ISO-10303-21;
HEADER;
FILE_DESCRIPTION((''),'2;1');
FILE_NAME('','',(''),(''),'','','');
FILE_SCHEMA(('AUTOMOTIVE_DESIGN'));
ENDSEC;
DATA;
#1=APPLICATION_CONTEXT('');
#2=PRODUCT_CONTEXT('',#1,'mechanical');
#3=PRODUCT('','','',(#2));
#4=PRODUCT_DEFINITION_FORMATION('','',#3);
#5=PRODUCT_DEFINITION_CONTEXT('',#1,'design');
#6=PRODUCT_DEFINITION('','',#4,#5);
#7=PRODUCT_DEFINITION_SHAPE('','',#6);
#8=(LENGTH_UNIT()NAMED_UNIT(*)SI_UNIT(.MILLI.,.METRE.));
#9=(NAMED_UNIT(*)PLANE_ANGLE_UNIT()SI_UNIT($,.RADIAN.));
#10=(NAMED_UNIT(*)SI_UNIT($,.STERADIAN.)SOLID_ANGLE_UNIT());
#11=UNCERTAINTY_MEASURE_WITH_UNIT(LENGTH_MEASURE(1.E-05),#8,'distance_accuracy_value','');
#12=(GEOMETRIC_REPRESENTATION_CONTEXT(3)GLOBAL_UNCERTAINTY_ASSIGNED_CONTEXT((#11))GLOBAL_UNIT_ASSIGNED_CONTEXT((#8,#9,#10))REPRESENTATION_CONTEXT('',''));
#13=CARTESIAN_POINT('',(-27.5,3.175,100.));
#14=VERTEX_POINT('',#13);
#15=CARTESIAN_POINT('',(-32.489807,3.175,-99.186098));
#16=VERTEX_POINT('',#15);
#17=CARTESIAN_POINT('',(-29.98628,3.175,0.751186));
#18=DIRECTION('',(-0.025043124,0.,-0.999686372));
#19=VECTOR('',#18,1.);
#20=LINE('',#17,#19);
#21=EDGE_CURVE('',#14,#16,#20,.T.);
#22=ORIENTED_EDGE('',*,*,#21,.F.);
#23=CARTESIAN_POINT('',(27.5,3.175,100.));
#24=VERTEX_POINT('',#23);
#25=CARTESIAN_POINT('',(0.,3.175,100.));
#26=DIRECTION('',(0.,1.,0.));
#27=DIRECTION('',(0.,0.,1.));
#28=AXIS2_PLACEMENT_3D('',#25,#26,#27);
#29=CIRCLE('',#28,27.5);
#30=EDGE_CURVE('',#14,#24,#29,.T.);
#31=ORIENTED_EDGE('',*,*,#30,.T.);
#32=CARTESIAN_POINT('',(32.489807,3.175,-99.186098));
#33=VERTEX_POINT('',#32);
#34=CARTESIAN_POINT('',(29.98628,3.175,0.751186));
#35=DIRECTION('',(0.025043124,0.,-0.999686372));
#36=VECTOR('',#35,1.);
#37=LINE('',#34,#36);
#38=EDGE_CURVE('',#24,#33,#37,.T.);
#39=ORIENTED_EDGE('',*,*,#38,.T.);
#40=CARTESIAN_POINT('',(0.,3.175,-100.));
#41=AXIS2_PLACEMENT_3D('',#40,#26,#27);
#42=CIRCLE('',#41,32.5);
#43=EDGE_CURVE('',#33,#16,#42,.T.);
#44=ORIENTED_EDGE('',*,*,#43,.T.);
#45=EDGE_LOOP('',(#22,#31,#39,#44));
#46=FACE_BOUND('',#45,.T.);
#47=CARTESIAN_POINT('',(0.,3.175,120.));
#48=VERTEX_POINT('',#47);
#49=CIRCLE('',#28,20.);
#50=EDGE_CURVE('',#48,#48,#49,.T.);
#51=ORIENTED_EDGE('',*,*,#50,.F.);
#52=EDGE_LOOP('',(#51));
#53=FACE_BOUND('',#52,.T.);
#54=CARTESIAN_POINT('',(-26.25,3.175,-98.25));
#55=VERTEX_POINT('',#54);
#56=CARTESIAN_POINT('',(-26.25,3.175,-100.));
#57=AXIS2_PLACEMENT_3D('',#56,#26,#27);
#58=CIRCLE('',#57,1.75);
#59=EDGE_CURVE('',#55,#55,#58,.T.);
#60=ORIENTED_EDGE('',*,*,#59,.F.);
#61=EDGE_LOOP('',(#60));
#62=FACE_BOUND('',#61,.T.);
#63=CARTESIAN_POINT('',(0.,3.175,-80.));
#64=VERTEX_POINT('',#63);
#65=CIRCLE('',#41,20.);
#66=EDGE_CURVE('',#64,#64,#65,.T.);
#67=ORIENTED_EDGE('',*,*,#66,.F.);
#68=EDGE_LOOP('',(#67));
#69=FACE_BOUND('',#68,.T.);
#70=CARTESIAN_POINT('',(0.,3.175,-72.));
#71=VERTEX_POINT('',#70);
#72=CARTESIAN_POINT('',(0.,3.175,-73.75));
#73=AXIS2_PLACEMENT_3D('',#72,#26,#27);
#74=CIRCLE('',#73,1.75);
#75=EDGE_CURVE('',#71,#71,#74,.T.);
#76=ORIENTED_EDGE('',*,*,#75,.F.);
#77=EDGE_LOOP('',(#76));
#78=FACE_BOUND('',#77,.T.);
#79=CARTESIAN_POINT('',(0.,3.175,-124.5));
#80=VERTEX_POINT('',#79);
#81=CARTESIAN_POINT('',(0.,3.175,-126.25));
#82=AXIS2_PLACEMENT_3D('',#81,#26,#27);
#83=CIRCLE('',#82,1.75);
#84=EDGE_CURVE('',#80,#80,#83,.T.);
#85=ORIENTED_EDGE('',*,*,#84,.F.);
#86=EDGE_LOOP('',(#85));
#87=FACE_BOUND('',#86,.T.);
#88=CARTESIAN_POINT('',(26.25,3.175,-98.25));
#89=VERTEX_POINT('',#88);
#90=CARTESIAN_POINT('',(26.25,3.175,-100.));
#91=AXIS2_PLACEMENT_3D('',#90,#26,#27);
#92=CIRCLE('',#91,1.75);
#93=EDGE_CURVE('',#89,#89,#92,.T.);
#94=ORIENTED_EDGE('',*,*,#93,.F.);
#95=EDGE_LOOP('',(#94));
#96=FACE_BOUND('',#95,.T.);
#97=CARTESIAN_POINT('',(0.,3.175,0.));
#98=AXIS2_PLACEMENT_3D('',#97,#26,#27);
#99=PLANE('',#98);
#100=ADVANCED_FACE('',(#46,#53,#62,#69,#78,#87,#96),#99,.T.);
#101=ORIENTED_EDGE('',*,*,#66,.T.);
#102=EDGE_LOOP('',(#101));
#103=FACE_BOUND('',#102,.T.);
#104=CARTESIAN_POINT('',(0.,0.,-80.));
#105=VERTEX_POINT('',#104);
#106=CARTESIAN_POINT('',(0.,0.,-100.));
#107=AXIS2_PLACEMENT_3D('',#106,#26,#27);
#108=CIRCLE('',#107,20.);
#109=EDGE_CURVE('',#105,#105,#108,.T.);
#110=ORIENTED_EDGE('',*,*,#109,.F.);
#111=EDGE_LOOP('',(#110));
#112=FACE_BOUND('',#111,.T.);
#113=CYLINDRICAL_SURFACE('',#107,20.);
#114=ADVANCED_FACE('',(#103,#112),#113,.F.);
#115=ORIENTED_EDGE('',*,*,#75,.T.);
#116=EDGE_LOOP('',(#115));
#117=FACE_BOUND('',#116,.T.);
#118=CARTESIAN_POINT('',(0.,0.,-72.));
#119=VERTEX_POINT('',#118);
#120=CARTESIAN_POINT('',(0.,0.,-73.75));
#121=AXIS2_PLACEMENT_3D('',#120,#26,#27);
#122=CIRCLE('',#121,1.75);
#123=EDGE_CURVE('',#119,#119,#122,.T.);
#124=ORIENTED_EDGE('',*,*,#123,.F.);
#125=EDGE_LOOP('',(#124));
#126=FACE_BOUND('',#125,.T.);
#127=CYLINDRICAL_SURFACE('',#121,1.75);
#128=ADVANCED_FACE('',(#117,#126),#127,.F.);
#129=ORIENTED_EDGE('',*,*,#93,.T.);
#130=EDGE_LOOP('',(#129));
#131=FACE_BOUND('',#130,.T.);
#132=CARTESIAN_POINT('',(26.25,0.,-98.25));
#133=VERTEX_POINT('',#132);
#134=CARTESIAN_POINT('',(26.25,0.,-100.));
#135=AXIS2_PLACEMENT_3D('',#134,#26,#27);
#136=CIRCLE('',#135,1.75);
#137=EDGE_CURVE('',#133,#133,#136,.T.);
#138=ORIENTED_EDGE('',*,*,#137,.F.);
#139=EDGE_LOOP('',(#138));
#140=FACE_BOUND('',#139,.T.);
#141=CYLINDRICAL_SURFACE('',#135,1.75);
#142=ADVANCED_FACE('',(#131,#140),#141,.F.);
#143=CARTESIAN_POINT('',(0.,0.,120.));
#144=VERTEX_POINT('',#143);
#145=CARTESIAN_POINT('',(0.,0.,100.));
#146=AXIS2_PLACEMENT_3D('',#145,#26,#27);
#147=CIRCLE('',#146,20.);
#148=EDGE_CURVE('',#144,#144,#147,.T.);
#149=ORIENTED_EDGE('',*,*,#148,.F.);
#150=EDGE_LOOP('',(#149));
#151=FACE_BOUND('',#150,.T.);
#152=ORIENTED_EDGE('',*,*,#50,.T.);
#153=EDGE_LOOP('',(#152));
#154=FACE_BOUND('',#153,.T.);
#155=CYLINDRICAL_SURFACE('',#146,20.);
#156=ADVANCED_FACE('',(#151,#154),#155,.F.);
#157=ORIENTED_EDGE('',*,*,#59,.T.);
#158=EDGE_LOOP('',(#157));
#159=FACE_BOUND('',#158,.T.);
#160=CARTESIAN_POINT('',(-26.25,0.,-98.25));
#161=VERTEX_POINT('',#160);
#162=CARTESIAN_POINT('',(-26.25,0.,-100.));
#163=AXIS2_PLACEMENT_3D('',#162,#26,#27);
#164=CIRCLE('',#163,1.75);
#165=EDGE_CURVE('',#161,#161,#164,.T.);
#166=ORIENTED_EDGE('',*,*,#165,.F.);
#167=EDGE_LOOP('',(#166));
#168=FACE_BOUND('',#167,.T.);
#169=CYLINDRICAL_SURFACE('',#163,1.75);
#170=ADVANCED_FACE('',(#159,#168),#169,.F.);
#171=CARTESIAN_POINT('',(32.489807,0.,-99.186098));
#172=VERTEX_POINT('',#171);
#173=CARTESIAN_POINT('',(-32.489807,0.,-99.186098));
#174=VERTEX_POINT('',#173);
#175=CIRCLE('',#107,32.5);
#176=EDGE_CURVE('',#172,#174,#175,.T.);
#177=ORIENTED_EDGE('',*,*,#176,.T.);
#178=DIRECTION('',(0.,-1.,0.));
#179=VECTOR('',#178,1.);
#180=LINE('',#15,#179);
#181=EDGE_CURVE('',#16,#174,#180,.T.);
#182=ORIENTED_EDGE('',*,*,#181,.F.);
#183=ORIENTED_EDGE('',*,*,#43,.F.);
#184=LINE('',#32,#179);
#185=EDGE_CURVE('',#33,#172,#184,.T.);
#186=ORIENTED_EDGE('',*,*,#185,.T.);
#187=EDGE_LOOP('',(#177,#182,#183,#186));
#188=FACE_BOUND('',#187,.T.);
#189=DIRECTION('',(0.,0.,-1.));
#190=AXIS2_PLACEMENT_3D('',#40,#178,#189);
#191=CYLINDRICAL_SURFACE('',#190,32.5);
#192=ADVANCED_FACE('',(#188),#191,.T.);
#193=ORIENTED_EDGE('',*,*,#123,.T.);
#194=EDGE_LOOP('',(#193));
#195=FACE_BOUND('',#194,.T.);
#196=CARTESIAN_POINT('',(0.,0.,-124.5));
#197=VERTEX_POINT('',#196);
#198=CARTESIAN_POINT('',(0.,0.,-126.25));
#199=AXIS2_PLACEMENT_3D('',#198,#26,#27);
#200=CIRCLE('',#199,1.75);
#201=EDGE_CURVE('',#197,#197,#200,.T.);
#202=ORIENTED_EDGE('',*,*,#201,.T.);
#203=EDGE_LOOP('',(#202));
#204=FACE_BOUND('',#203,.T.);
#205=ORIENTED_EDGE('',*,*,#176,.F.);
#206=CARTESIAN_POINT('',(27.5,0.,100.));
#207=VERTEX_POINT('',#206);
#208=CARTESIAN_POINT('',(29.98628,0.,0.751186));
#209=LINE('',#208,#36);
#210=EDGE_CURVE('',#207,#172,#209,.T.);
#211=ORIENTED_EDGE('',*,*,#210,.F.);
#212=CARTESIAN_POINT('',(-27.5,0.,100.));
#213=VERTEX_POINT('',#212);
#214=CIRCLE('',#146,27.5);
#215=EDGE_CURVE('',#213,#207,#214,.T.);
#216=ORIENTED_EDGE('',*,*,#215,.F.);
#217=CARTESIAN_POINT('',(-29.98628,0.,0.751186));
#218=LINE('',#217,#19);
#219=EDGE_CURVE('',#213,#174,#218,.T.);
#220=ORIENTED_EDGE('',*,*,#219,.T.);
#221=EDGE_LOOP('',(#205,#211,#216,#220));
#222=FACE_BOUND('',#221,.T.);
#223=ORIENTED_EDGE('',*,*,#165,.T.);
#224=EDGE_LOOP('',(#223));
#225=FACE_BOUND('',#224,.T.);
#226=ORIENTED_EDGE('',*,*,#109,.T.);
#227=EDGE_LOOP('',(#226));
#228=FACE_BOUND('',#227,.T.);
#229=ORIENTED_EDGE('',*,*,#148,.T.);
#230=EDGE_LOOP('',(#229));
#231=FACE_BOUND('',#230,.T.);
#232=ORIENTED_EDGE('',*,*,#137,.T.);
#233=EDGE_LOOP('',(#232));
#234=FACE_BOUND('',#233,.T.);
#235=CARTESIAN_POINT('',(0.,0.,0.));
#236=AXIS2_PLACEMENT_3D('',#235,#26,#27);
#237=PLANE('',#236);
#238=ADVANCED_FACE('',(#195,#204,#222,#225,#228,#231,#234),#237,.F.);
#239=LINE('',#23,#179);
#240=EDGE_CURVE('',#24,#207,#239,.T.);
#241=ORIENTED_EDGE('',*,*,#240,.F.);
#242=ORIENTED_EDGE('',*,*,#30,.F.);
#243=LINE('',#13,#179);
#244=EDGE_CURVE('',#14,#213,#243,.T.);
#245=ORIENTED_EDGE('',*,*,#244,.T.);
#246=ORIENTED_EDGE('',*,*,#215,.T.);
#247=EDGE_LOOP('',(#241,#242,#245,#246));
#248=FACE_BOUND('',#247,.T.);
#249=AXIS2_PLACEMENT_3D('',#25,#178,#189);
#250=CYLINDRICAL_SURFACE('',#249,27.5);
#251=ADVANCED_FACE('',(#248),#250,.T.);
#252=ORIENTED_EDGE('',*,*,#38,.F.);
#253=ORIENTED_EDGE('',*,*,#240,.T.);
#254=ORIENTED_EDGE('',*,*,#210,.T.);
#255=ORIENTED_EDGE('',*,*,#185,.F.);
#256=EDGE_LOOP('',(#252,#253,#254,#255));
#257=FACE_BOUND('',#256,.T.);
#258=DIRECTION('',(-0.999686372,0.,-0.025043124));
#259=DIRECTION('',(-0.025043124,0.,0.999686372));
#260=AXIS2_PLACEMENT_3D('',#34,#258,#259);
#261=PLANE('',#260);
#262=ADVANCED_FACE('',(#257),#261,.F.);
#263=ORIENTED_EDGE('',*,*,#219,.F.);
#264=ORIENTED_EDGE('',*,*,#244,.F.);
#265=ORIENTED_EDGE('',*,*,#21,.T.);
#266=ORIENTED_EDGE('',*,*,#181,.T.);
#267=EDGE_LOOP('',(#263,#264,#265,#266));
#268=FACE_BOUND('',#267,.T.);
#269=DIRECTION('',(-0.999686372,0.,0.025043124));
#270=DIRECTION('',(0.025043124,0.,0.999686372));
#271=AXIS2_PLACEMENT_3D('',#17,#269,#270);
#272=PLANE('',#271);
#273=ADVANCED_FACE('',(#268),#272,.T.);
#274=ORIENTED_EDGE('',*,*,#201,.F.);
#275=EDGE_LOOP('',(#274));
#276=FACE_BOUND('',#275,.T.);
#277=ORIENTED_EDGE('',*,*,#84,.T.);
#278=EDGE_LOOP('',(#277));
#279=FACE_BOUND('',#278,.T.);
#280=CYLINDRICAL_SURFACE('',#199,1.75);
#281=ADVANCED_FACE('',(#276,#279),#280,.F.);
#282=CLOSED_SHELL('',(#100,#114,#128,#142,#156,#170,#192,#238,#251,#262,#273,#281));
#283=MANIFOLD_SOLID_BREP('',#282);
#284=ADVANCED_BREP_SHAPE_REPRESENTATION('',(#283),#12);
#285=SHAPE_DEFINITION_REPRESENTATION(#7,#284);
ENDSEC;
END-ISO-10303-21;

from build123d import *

# Parameters (mm, degrees)
BOSS_EXTRUDE1_DEPTH     = 3.175
SKETCH2_R               = 20
CUT_EXTRUDE1_DEPTH      = 137.464576448
ESQUISSE2_R             = 1.75
ENL_V_MAT_EXTRU_1_DEPTH = 137.464576448


with BuildPart() as part:
    # Sketch1 → Boss-Extrude1 (new body)
    with BuildSketch(Plane(origin=(0, 0, 0), x_dir=(1, 0, 0), z_dir=(0, 1, 0))):
        with BuildLine():
            Line((-27.5, -100), (-32.489807083, 99.186098474))
            ThreePointArc((-32.489807083, 99.186098474), (0, 132.5), (32.489807083, 99.186098474))
            Line((32.489807083, 99.186098474), (27.5, -100))
            ThreePointArc((27.5, -100), (0, -127.5), (-27.5, -100))
        make_face()
    extrude(amount=BOSS_EXTRUDE1_DEPTH)

    # Sketch2 → Cut-Extrude1 (cut, through all)
    with BuildSketch(Plane(origin=(0, 3.175, 0), x_dir=(1, 0, 0), z_dir=(0, 1, 0))):
        with Locations(Location((0, -100, 0), (0, 0, 270))):
            Circle(SKETCH2_R)
        with Locations(Location((0, 100, 0), (0, 0, 270))):
            Circle(SKETCH2_R)
    extrude(amount=-CUT_EXTRUDE1_DEPTH, mode=Mode.SUBTRACT)

    # Esquisse2 → Enlèv. mat.-Extru.1 (cut, through all)
    with BuildSketch(Plane(origin=(0, 3.175, 0), x_dir=(1, 0, 0), z_dir=(0, 1, 0))):
        with Locations(Location((0, 73.75, 0), (0, 0, 270))):
            Circle(ESQUISSE2_R)
        with Locations(Location((26.25, 100, 0), (0, 0, 270))):
            Circle(ESQUISSE2_R)
        with Locations(Location((0, 126.25, 0), (0, 0, 270))):
            Circle(ESQUISSE2_R)
        with Locations(Location((-26.25, 100, 0), (0, 0, 270))):
            Circle(ESQUISSE2_R)
    extrude(amount=-ENL_V_MAT_EXTRU_1_DEPTH, mode=Mode.SUBTRACT)


solid = part.part
